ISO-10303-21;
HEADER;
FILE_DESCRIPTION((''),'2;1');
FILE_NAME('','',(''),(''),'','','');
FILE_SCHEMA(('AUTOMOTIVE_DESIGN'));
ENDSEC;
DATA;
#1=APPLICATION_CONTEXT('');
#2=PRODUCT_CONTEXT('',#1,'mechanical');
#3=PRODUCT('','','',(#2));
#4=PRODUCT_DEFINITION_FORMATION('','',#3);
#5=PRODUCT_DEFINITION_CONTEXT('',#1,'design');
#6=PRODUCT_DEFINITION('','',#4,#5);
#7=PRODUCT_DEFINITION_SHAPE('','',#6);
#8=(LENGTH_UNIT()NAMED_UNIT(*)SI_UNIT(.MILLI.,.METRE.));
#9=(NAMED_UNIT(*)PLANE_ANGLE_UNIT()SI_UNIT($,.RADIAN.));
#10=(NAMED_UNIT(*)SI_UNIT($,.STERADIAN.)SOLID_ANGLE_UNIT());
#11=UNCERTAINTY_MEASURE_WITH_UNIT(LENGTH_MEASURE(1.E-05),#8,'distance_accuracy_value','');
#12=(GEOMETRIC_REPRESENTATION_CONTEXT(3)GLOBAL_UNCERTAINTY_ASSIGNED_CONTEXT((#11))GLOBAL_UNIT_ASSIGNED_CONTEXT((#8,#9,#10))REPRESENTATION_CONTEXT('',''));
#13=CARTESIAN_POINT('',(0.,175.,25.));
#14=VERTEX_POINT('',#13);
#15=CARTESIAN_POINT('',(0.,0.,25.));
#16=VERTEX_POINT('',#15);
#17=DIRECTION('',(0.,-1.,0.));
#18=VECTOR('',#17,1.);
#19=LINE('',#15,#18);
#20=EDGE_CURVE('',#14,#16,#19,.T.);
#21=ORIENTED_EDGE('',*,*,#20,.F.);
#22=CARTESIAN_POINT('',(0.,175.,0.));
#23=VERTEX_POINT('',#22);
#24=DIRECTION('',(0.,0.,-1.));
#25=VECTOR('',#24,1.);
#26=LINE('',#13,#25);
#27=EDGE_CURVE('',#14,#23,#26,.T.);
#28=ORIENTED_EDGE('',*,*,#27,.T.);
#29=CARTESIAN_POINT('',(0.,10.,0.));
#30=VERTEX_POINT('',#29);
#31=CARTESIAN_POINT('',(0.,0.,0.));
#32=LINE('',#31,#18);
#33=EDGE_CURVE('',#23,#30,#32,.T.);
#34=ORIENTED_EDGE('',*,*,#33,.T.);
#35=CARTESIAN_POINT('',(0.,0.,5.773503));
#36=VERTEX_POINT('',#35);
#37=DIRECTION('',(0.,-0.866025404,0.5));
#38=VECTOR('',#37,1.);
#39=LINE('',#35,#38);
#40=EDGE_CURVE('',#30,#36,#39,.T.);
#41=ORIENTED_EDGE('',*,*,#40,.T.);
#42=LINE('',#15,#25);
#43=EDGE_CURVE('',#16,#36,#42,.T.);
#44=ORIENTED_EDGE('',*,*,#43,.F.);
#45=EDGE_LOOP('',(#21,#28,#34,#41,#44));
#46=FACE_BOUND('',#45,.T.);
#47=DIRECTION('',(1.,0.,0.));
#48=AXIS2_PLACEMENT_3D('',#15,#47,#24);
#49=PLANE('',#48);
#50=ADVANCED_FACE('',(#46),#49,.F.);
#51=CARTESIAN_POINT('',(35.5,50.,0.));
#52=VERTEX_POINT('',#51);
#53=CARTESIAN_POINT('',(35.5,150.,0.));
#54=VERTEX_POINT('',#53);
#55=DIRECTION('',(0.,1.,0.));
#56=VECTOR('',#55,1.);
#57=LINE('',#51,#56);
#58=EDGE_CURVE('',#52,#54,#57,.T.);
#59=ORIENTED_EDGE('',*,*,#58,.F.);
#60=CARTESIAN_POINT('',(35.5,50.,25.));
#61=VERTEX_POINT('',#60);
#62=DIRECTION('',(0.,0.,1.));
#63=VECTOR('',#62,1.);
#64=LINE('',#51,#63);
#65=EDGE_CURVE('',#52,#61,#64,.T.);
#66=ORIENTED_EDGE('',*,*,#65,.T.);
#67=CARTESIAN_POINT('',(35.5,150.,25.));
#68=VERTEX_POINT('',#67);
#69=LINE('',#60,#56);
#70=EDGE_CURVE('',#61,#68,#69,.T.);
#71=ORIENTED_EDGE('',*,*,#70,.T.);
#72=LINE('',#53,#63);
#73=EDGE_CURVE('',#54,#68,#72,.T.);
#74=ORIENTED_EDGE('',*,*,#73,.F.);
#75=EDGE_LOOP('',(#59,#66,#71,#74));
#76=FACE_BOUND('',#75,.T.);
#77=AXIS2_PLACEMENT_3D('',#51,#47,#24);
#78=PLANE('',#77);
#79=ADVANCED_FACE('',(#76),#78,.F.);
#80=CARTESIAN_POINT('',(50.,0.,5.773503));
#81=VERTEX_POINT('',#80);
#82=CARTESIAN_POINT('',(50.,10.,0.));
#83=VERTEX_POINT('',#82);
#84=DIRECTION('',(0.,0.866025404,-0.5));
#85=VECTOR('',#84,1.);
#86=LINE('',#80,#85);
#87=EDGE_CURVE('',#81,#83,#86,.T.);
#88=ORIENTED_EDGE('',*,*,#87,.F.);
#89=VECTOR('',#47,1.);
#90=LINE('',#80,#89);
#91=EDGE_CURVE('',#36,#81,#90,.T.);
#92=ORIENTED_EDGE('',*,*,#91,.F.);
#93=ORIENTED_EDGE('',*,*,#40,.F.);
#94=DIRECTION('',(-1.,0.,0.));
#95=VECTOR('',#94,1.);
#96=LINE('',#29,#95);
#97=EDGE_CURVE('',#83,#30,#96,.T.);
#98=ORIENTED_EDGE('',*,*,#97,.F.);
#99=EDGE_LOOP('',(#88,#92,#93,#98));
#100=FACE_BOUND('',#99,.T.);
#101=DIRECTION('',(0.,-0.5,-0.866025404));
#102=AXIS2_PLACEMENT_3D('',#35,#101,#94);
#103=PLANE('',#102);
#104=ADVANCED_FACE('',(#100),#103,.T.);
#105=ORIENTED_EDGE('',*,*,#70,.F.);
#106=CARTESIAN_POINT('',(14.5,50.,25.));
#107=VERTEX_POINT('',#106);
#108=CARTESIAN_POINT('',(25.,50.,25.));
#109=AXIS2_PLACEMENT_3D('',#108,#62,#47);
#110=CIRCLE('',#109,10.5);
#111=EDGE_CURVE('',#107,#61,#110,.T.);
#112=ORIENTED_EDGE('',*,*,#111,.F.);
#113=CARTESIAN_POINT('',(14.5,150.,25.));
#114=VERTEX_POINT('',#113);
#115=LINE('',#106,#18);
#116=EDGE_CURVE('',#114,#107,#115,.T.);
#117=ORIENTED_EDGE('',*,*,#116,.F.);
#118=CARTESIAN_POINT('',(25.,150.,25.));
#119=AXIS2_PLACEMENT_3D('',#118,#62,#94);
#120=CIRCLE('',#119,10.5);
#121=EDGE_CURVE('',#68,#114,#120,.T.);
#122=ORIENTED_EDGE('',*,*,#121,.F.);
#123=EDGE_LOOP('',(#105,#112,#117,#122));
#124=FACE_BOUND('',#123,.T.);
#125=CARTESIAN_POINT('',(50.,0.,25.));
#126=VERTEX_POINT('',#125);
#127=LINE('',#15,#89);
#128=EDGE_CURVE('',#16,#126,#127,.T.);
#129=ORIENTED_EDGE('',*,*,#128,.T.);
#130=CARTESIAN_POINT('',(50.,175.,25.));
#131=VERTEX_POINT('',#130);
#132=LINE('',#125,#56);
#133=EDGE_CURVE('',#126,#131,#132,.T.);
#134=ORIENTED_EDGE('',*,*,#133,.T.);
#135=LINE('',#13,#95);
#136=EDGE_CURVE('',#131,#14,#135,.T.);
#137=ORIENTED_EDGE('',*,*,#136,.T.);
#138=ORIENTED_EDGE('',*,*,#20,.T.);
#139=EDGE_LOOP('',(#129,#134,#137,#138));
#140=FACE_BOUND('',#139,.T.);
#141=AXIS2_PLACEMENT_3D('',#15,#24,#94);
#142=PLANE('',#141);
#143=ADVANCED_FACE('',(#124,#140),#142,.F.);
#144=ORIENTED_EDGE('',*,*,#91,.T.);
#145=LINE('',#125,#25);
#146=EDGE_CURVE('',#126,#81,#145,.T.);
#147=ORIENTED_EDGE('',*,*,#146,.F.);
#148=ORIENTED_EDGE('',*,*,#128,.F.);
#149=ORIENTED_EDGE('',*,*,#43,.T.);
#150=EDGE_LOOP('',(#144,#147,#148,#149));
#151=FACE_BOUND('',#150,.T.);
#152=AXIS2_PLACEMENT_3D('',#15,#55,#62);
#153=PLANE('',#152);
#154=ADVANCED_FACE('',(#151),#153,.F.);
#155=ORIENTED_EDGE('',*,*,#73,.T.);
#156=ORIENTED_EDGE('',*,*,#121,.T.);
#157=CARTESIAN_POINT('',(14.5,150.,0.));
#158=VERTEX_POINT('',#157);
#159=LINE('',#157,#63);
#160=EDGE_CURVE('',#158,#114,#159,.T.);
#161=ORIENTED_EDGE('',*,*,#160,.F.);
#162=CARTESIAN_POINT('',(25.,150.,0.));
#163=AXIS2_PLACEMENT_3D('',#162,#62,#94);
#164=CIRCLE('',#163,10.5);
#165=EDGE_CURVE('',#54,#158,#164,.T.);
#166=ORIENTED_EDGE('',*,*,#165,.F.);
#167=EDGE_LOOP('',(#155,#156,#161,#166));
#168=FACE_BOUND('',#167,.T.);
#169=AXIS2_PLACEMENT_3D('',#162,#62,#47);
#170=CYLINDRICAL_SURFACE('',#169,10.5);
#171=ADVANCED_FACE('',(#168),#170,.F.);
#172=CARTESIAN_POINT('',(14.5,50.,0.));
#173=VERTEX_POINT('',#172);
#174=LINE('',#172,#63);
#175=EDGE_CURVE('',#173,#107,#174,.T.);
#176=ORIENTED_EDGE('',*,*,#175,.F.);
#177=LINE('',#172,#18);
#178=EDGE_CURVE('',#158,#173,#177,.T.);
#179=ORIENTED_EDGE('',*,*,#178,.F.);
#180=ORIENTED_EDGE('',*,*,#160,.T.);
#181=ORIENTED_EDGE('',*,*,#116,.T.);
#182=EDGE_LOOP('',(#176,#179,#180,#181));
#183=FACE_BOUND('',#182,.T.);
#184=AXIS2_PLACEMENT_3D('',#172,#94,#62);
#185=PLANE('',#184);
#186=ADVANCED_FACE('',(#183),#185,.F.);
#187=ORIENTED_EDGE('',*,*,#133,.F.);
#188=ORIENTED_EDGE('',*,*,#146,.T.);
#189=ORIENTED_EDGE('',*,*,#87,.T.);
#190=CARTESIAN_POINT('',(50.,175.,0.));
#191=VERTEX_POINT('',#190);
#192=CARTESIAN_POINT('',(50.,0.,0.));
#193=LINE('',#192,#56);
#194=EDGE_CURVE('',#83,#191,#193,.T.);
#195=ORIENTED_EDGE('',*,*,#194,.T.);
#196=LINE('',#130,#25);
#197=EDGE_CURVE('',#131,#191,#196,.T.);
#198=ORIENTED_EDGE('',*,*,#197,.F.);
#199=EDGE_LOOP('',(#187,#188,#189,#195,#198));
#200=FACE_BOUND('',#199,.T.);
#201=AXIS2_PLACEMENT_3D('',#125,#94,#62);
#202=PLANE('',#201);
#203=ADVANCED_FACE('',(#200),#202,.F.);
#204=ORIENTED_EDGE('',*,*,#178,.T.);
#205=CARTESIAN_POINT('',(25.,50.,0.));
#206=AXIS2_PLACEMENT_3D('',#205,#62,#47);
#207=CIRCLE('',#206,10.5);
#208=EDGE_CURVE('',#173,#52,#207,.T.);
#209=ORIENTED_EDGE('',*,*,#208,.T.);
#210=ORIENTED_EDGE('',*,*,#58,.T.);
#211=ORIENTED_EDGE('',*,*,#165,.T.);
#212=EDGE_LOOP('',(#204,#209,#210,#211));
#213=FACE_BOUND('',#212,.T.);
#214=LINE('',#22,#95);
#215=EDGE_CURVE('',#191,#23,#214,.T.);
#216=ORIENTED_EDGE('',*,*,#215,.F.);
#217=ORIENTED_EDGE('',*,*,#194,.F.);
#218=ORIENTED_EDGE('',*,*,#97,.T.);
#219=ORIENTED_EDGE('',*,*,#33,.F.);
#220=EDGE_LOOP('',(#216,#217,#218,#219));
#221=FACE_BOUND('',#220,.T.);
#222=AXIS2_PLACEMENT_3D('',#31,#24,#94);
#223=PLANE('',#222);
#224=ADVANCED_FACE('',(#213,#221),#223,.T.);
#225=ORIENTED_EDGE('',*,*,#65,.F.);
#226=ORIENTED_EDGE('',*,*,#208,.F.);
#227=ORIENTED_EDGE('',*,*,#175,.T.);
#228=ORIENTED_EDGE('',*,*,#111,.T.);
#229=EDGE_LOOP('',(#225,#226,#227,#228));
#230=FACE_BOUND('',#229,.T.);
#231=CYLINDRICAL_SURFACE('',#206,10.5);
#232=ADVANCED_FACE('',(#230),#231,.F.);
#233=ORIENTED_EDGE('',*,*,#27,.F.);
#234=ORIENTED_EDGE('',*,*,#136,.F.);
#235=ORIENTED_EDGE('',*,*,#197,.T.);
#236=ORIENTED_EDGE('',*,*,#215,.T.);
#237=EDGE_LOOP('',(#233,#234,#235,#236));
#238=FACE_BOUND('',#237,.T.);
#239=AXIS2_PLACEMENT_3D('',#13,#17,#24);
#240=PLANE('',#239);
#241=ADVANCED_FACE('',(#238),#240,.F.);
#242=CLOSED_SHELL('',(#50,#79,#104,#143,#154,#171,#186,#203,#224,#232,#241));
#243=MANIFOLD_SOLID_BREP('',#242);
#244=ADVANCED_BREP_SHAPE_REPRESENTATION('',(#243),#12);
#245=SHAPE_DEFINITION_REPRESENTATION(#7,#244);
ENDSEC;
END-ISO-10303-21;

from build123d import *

# Parameters (mm, degrees)
SKETCH_1_W          = 50
SKETCH_1_H          = 175
EXTRUDE_1_DEPTH     = 25
CUT_EXTRUDE_1_DEPTH = 26
CHAMFER_1_SIZE      = 10
CHAMFER_1_SIZE2     = 5.773502692


with BuildPart() as part:
    # Эскиз1 → Бобышка-Вытянуть1 (new body)
    with BuildSketch(Plane.XY):
        with Locations((25, 87.5)):
            Rectangle(SKETCH_1_W, SKETCH_1_H)
    extrude(amount=EXTRUDE_1_DEPTH)

    # Эскиз2 → Вырез-Вытянуть1 (cut, through all)
    with BuildSketch(Plane.XY.offset(25)):
        with BuildLine():
            Line((14.5, 50), (14.5, 150))
            ThreePointArc((14.5, 150), (25, 160.5), (35.5, 150))
            Line((35.5, 150), (35.5, 50))
            ThreePointArc((35.5, 50), (25, 39.5), (14.5, 50))
        make_face()
    extrude(amount=-CUT_EXTRUDE_1_DEPTH, mode=Mode.SUBTRACT)

    # Фаска1
    chamfer_1_edges = [part.edges().sort_by_distance(p)[0] for p in [
        (25, 0, 0),
    ]]
    chamfer_1_side = [part.faces().sort_by_distance(p)[0] for p in [
        (25, 1.820027472, 0),
    ]]
    chamfer(chamfer_1_edges, length=CHAMFER_1_SIZE, length2=CHAMFER_1_SIZE2, reference=chamfer_1_side[0])


solid = part.part
